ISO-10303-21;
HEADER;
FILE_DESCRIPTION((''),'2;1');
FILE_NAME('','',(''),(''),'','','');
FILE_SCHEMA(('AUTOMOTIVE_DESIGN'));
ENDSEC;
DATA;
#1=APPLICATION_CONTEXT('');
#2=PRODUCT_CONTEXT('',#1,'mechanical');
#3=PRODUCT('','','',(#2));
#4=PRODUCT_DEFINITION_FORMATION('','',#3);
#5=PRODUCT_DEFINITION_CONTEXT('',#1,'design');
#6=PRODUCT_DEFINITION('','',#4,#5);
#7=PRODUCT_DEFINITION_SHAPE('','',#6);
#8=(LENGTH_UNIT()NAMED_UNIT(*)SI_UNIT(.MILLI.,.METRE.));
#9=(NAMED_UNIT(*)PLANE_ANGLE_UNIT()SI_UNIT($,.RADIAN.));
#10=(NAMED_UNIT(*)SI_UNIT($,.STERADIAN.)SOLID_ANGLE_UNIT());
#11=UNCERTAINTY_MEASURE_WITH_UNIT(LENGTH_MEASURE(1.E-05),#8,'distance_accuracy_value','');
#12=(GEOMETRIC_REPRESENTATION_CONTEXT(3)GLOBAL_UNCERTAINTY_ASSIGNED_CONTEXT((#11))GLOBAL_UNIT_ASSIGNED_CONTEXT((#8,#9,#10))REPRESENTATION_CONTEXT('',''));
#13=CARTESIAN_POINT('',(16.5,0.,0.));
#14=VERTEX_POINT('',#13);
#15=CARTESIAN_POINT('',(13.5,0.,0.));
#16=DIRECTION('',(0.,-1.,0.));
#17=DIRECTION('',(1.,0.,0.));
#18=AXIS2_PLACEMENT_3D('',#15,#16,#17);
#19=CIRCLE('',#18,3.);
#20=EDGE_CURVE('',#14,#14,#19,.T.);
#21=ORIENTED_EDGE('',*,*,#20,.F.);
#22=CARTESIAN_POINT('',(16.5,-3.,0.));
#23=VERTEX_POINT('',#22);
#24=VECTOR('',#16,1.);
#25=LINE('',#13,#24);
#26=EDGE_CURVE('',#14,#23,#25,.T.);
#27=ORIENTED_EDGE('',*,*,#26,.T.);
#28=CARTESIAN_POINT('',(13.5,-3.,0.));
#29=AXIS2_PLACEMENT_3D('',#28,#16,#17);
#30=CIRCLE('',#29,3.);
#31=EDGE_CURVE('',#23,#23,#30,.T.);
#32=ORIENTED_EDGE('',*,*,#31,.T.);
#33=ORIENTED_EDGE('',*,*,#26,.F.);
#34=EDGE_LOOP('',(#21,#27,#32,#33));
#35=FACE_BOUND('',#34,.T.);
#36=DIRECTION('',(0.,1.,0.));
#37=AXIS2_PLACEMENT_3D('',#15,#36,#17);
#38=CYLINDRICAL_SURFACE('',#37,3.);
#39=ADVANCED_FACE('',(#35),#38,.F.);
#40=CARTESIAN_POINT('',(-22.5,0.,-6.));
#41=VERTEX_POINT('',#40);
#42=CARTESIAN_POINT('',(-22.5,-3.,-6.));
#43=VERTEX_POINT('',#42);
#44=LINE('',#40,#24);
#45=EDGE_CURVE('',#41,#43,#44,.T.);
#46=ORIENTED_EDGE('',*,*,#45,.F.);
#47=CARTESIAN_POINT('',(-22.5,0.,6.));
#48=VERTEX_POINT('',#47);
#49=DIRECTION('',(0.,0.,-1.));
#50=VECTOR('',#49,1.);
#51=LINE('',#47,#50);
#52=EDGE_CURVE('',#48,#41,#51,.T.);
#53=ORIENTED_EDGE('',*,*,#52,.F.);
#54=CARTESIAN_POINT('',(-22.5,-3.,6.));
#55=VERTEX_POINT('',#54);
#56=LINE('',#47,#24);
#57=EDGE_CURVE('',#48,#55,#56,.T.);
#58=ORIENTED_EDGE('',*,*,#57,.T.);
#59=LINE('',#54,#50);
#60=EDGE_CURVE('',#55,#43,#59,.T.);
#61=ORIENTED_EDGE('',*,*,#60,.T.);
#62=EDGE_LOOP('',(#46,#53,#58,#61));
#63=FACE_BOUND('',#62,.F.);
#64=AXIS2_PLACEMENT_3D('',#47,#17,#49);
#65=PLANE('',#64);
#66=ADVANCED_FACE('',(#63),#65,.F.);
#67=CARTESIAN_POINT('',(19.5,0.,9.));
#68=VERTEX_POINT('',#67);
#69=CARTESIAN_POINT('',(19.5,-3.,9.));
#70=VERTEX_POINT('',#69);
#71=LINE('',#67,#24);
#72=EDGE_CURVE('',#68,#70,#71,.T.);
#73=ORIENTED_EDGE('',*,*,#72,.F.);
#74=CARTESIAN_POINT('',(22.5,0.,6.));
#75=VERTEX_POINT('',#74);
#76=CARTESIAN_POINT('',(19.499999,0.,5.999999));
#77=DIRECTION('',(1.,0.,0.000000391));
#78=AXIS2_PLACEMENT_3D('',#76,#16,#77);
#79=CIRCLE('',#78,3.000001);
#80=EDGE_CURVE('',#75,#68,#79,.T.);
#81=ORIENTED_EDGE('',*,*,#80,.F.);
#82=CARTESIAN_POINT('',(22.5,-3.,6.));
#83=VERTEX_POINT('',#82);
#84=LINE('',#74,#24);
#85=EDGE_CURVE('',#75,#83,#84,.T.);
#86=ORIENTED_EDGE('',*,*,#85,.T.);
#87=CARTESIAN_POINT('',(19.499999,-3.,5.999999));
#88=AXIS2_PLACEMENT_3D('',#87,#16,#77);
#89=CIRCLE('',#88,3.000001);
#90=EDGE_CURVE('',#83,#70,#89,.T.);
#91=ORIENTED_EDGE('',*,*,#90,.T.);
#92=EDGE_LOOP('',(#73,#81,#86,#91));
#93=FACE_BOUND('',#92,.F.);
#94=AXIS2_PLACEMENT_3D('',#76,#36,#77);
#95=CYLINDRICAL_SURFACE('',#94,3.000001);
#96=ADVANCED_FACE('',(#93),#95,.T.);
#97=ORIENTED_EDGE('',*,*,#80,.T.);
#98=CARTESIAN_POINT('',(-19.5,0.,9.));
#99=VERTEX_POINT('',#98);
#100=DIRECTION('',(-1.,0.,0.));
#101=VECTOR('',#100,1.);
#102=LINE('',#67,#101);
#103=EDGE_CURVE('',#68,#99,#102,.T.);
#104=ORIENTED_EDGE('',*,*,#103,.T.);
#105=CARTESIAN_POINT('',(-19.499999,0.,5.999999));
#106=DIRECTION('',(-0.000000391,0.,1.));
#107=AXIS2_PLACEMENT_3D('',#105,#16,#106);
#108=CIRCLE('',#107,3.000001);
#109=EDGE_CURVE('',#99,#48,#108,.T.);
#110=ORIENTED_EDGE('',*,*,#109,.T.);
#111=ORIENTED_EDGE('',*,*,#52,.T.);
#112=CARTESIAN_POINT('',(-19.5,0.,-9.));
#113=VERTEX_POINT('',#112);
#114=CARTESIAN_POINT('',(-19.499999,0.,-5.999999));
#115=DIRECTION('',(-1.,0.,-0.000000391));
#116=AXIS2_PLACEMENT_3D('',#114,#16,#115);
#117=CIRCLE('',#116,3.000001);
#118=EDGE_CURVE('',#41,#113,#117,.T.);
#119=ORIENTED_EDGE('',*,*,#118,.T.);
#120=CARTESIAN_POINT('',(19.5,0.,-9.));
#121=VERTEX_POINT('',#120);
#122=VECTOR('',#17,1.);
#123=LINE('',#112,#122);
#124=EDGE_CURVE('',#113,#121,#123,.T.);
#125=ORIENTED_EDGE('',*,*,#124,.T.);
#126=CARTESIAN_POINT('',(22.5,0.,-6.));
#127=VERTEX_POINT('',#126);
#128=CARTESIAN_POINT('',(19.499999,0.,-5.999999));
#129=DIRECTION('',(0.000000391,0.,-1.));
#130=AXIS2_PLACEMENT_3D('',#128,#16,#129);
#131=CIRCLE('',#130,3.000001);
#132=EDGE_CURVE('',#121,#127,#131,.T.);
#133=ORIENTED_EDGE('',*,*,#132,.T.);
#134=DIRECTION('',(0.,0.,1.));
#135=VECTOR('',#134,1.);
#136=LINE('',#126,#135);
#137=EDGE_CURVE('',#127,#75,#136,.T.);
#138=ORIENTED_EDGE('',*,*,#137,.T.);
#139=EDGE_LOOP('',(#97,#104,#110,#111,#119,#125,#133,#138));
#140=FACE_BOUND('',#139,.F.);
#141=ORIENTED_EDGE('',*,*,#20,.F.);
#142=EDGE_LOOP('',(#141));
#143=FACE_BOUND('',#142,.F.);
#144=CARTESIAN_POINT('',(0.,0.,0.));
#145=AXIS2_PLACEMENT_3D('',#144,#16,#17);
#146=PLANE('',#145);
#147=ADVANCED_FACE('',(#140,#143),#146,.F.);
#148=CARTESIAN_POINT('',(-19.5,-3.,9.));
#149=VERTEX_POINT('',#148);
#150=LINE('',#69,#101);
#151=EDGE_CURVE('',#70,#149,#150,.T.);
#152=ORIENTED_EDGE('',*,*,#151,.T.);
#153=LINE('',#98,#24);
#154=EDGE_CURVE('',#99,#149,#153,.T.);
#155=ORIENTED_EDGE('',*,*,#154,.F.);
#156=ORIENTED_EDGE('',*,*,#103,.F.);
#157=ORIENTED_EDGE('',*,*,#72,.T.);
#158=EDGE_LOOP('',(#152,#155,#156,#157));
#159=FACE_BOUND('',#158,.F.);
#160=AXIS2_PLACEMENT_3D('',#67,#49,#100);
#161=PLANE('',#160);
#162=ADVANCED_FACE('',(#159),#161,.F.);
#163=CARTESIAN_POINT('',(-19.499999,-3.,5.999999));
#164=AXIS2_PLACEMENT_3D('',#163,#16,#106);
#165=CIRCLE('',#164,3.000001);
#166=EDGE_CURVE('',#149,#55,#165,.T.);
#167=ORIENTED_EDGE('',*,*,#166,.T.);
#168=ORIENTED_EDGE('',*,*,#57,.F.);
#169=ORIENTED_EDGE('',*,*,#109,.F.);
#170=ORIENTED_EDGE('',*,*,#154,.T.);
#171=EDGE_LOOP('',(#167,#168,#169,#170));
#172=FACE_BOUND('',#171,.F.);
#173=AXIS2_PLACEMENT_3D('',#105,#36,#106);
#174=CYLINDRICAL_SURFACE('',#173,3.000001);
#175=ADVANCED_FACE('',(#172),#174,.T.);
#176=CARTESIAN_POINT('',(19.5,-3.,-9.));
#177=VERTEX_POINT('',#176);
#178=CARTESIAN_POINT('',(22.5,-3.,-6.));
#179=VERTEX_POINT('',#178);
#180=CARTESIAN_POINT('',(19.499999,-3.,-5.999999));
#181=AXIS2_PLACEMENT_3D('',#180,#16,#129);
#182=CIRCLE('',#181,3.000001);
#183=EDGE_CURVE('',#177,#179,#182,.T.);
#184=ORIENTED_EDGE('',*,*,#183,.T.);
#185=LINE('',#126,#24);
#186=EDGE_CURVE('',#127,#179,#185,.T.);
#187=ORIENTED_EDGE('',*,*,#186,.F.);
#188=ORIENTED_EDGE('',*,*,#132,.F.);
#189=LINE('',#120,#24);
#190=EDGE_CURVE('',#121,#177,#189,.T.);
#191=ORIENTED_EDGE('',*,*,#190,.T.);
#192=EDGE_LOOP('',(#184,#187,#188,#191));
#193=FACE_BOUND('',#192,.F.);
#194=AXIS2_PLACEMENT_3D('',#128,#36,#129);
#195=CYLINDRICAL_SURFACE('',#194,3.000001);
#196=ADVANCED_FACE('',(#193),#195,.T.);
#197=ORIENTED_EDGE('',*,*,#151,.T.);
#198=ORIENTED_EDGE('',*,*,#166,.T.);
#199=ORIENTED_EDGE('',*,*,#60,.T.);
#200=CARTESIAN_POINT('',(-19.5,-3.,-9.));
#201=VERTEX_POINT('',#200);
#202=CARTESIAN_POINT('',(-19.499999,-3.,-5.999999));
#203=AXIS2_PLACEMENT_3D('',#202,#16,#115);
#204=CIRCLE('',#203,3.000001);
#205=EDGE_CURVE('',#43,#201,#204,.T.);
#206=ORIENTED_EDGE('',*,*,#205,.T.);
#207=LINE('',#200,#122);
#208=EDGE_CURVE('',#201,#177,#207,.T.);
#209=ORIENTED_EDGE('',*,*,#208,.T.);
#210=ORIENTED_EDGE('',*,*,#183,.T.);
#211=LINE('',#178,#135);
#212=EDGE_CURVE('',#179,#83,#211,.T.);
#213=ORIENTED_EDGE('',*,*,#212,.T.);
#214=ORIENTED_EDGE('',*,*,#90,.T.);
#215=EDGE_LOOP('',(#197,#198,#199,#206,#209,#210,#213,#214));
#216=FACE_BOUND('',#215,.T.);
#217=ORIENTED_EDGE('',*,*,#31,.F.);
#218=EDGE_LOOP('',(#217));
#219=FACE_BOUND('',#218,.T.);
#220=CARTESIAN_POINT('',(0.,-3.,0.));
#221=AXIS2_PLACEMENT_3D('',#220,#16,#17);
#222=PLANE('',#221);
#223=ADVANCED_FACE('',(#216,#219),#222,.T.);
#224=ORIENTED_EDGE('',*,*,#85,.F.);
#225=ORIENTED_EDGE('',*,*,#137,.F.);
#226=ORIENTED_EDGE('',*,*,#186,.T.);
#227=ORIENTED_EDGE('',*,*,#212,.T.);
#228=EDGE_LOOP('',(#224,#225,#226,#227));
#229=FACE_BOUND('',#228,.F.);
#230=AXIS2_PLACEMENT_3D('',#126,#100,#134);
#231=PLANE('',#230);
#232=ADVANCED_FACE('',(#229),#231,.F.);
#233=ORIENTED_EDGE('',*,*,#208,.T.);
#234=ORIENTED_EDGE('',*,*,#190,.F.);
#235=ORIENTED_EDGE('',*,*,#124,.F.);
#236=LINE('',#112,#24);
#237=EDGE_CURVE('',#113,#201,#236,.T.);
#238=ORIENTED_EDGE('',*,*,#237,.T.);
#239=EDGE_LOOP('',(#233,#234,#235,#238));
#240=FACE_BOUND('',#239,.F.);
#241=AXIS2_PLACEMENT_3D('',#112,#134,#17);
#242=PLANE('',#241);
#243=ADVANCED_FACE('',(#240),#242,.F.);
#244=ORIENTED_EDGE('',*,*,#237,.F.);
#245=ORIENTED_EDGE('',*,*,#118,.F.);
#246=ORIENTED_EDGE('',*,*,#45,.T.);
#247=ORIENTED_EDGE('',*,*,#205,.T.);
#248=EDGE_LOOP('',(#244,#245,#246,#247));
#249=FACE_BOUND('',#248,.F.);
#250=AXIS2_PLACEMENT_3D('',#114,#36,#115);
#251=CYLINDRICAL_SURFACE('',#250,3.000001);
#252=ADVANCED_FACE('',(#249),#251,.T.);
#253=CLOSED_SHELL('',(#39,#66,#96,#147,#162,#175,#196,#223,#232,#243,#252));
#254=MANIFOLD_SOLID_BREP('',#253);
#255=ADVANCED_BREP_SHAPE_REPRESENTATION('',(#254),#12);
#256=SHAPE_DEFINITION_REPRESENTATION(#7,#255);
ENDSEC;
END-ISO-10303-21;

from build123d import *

# Parameters (mm, degrees)
F0_R     = 3
F1_DEPTH = 3


with BuildPart() as f1:
    # F0 (on Front) → F1 (new body)
    with BuildSketch(Plane.XZ):
        with BuildLine():
            Line((-19.5, -9), (19.5, -9))
            ThreePointArc((19.5, -9), (21.62132, -8.12132), (22.5, -6))
            Line((22.5, -6), (22.5, 6))
            ThreePointArc((22.5, 6), (21.62132, 8.12132), (19.5, 9))
            Line((19.5, 9), (-19.5, 9))
            ThreePointArc((-19.5, 9), (-21.62132, 8.12132), (-22.5, 6))
            Line((-22.5, 6), (-22.5, -6))
            ThreePointArc((-22.5, -6), (-21.62132, -8.12132), (-19.5, -9))
        make_face()
        with Locations((13.5, 0)):
            Circle(F0_R, mode=Mode.SUBTRACT)
    extrude(amount=F1_DEPTH)


solid = f1.part
